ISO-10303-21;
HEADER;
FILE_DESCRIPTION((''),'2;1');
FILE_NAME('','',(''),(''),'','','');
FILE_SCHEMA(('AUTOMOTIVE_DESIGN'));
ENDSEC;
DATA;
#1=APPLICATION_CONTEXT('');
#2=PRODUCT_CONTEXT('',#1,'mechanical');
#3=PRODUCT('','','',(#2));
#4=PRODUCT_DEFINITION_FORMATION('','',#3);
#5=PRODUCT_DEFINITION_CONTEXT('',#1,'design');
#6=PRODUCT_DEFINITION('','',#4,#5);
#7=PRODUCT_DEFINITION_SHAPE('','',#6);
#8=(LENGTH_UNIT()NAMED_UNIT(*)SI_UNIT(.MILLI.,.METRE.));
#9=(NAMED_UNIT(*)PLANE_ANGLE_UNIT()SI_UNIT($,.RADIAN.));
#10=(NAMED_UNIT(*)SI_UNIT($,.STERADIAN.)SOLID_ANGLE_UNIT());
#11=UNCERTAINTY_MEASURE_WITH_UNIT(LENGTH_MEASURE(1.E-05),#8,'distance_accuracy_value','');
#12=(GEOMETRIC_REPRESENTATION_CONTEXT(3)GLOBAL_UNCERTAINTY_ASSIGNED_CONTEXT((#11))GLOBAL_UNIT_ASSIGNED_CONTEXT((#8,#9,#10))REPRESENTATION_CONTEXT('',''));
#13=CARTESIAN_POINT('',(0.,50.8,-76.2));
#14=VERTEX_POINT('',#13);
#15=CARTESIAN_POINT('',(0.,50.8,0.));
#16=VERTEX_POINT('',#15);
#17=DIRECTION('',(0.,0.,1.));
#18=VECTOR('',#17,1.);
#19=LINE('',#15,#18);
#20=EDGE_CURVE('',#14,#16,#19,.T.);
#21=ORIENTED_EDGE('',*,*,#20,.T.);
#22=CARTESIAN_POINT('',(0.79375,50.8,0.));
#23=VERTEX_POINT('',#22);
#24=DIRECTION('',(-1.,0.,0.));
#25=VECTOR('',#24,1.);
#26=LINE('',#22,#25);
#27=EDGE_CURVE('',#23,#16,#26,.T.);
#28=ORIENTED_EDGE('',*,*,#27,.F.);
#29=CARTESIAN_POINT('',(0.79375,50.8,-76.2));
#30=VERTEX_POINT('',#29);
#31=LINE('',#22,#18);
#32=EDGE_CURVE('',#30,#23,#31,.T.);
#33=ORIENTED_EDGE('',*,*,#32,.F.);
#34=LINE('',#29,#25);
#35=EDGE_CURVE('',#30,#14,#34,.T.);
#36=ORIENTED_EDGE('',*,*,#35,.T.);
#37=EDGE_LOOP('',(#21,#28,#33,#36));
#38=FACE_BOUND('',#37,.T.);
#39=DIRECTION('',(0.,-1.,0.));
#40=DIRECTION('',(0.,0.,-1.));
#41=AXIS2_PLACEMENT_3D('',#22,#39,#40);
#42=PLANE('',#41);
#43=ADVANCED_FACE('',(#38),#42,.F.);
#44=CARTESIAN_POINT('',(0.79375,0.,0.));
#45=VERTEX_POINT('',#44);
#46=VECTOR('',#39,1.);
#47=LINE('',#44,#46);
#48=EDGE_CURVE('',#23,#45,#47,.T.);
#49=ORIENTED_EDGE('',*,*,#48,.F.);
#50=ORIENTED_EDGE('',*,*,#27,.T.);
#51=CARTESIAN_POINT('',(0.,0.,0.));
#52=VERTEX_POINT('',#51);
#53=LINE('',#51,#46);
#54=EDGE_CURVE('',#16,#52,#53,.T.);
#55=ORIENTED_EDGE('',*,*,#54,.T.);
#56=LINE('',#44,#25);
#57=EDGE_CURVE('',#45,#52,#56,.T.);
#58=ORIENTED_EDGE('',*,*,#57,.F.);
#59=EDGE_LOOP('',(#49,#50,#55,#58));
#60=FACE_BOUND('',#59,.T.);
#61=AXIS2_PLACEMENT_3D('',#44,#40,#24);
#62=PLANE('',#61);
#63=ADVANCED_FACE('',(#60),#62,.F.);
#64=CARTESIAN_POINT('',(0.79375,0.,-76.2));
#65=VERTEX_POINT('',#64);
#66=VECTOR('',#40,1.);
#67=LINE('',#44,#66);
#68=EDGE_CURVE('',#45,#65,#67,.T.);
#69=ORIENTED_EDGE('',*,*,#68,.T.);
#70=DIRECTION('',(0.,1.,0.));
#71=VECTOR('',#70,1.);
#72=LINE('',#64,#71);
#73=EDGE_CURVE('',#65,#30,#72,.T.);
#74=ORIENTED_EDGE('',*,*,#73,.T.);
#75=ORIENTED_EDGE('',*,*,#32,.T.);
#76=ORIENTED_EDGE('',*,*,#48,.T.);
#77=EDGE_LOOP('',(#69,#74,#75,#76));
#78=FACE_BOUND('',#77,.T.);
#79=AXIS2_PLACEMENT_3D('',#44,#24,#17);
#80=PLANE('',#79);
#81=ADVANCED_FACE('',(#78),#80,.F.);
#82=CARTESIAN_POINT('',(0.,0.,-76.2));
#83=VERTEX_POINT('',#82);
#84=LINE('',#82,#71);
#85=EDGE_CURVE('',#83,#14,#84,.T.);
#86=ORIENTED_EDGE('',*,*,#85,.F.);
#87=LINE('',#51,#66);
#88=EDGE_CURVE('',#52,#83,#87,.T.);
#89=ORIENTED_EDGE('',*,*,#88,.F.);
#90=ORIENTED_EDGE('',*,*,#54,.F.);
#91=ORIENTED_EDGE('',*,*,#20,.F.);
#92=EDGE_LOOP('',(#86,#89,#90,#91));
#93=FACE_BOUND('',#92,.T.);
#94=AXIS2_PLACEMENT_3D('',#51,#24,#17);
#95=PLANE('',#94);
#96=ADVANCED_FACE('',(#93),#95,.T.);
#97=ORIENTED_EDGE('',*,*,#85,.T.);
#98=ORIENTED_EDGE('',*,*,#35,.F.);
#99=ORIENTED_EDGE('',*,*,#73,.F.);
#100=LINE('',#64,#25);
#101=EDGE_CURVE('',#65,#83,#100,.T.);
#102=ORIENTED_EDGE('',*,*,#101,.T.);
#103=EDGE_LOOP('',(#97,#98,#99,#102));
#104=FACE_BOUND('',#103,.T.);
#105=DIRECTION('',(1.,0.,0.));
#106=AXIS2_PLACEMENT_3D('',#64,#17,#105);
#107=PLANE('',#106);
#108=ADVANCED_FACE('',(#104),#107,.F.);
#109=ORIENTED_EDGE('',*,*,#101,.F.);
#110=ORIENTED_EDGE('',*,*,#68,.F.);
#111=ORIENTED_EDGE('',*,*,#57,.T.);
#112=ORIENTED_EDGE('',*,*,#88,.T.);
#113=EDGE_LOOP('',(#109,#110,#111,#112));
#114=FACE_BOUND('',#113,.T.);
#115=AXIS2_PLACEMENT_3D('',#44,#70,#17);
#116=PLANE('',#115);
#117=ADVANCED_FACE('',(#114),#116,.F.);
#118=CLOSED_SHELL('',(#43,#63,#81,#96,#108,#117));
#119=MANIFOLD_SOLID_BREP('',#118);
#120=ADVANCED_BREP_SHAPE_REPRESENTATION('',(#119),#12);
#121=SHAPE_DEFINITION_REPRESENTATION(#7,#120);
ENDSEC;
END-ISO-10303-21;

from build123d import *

# Parameters (mm, degrees)
SKETCH1_W           = 76.2
SKETCH1_H           = 50.8
BOSS_EXTRUDE1_DEPTH = 0.79375


with BuildPart() as part:
    # Sketch1 → Boss-Extrude1 (new body)
    with BuildSketch(Plane(origin=(0, 0, 0), x_dir=(0, 0, -1), z_dir=(1, 0, 0))):
        with Locations((38.1, 25.4)):
            Rectangle(SKETCH1_W, SKETCH1_H)
    extrude(amount=BOSS_EXTRUDE1_DEPTH)


solid = part.part
